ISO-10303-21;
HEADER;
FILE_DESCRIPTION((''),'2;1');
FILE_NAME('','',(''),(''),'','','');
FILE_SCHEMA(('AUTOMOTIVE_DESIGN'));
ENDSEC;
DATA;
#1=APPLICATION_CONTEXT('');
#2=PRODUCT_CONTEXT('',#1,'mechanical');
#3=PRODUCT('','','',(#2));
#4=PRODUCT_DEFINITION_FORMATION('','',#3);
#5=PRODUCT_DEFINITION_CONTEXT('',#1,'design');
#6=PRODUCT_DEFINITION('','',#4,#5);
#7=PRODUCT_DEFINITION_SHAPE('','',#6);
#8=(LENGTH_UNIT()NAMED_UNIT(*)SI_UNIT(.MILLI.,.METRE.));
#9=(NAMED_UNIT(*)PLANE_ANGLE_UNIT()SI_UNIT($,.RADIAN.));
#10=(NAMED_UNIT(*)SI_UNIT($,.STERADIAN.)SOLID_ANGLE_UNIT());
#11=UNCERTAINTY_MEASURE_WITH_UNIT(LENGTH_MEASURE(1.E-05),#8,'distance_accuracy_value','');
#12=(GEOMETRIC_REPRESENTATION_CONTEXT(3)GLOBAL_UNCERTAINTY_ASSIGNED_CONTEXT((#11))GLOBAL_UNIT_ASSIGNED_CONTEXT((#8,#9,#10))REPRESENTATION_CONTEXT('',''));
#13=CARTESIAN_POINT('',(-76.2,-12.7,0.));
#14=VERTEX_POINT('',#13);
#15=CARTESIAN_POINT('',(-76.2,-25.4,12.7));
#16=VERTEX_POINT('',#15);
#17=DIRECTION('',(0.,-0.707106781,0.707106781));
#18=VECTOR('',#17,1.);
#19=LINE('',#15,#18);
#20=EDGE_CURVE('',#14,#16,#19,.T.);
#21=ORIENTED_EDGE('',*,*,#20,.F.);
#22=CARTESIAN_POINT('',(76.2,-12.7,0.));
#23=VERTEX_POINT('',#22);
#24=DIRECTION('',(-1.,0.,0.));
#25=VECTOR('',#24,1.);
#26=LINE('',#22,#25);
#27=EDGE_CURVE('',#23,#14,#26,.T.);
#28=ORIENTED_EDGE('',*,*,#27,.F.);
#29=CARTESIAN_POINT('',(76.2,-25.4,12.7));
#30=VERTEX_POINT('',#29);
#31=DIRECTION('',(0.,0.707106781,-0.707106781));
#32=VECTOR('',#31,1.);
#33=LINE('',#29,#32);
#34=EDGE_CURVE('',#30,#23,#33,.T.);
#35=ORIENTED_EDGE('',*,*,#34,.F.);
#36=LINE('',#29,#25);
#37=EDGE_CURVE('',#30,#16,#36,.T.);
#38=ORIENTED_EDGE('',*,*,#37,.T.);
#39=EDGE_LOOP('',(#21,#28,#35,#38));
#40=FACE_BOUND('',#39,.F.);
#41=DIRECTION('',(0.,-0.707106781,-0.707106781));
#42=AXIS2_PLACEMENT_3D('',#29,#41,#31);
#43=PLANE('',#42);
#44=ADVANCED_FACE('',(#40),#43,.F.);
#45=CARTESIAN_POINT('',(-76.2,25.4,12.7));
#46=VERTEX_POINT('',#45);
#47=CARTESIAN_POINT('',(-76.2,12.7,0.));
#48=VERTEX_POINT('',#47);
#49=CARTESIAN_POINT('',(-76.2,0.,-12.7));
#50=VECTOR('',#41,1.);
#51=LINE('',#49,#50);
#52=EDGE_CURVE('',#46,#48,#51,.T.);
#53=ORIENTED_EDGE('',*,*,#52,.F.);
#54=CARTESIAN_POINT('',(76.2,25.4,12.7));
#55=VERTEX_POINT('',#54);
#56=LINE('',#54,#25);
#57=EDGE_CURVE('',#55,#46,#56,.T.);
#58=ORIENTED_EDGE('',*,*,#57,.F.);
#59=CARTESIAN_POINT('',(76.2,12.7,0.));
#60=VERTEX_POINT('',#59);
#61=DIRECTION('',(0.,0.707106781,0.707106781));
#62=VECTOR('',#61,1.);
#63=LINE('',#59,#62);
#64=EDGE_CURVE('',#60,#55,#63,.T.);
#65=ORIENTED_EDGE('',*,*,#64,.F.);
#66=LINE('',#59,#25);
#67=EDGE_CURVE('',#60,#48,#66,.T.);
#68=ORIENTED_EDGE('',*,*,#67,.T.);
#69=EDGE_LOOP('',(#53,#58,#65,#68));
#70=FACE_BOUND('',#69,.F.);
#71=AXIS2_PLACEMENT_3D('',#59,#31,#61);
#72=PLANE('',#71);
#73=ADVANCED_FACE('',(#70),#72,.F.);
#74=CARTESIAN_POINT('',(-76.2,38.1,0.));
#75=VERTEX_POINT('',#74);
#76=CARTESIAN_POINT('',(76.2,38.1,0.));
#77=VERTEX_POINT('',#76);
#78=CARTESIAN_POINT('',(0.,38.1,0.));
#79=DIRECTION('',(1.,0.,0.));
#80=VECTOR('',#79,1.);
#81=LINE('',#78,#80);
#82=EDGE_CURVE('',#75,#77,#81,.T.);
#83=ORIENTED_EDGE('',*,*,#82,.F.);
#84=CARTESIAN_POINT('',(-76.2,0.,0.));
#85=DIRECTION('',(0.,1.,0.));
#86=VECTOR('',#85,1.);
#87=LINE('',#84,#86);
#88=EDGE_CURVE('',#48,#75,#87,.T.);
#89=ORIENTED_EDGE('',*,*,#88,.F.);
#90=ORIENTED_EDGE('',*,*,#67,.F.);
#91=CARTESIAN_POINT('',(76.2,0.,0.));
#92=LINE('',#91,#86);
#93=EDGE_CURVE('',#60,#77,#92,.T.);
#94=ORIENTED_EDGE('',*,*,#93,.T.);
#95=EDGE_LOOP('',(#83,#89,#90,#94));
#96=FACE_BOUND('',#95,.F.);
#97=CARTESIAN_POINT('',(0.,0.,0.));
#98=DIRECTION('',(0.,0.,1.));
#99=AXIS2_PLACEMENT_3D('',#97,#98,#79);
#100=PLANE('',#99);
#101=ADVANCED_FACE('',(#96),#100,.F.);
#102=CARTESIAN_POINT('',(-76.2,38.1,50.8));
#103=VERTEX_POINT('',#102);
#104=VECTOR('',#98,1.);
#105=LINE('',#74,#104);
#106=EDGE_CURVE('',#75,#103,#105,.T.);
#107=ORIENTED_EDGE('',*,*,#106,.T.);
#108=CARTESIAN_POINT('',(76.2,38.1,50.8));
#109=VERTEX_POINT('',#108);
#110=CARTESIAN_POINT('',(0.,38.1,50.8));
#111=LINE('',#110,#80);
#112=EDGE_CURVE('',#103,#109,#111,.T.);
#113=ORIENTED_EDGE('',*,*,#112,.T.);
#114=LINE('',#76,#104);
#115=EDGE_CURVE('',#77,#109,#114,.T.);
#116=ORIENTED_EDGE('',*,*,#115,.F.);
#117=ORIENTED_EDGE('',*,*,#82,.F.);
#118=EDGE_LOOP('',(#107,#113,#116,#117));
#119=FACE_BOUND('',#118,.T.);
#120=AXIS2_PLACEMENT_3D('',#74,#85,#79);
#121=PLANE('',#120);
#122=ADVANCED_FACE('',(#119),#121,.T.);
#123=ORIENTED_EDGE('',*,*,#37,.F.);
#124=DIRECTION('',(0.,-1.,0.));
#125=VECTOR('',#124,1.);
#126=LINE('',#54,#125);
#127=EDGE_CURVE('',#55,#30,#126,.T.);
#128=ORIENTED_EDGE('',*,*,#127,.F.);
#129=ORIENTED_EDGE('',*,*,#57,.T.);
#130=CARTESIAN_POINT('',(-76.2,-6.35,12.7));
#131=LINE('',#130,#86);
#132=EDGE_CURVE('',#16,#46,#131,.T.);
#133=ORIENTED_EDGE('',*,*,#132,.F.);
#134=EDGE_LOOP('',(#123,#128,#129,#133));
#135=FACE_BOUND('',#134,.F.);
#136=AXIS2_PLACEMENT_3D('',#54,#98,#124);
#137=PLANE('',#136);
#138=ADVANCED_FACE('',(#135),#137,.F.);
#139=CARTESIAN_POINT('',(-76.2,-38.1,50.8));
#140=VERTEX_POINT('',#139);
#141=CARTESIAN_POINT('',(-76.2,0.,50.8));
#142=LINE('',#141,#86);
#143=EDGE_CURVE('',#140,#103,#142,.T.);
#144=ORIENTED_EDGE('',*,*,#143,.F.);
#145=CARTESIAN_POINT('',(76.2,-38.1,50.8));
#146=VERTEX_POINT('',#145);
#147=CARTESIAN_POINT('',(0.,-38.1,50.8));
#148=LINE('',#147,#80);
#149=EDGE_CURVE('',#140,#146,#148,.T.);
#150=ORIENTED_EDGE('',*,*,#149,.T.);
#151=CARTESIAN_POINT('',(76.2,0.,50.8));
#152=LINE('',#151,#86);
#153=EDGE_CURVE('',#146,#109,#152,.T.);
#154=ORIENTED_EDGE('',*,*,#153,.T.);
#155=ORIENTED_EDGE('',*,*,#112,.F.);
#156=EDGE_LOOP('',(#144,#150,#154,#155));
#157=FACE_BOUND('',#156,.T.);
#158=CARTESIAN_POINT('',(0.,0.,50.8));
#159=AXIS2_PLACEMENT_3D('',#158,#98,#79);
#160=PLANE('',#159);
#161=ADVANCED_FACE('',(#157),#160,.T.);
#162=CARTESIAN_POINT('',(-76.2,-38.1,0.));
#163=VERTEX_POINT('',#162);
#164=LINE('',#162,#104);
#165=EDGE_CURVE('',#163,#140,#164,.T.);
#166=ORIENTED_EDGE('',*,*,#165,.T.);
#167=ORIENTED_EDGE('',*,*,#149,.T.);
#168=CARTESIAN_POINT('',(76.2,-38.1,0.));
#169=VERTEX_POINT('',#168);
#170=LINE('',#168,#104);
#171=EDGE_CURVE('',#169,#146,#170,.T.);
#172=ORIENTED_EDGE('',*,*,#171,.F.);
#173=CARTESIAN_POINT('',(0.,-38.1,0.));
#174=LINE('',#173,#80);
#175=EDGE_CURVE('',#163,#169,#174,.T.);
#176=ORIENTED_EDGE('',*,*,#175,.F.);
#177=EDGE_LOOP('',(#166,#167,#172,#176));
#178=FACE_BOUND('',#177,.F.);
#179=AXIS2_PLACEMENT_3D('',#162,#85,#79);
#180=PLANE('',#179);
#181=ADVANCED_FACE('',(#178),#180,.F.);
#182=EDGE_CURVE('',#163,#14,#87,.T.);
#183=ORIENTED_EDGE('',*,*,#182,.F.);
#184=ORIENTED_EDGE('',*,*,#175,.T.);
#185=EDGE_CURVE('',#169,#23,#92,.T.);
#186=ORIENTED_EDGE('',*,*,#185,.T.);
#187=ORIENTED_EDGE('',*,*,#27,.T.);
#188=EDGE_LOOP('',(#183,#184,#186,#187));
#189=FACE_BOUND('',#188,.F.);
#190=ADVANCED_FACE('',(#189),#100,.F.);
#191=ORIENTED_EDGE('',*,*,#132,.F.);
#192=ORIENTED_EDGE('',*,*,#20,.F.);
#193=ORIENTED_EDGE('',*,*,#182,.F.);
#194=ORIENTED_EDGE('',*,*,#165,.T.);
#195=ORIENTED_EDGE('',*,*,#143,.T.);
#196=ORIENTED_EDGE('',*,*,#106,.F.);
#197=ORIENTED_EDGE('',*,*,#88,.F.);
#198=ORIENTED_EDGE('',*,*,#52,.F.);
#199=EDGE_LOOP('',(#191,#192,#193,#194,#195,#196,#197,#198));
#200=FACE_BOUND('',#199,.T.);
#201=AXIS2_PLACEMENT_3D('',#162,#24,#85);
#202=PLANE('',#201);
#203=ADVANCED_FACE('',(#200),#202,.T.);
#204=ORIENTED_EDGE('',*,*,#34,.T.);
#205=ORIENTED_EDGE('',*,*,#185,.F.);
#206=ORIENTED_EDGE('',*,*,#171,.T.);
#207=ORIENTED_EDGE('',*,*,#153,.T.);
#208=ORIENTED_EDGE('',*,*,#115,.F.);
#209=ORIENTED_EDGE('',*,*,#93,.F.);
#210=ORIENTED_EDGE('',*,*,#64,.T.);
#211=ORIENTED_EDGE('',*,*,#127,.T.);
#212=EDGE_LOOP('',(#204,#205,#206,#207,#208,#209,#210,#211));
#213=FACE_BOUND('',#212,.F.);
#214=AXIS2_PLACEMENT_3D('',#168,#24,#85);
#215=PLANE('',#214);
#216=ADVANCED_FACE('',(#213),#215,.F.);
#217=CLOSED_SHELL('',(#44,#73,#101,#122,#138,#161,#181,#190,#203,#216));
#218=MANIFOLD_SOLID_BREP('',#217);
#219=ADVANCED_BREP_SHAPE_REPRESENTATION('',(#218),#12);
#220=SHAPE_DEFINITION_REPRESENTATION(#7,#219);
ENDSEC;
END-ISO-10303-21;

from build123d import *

# Parameters (mm, degrees)
F0_W     = 152.4
F0_H     = 76.2
F1_DEPTH = 50.8
F3_DEPTH = 152.401


with BuildPart() as f1:
    # F0 (on Top) → F1 (new body)
    with BuildSketch(Plane.XY):
        Rectangle(F0_W, F0_H)
    extrude(amount=F1_DEPTH)

    # F2 (on face) → F3 (cut, through all)
    with BuildSketch(Plane.YZ.offset(76.2)):
        Polygon((-25.4, 12.7), (-12.7, 0), (12.7, 0), (25.4, 12.7), align=None)
    extrude(amount=-F3_DEPTH, mode=Mode.SUBTRACT)


solid = f1.part
